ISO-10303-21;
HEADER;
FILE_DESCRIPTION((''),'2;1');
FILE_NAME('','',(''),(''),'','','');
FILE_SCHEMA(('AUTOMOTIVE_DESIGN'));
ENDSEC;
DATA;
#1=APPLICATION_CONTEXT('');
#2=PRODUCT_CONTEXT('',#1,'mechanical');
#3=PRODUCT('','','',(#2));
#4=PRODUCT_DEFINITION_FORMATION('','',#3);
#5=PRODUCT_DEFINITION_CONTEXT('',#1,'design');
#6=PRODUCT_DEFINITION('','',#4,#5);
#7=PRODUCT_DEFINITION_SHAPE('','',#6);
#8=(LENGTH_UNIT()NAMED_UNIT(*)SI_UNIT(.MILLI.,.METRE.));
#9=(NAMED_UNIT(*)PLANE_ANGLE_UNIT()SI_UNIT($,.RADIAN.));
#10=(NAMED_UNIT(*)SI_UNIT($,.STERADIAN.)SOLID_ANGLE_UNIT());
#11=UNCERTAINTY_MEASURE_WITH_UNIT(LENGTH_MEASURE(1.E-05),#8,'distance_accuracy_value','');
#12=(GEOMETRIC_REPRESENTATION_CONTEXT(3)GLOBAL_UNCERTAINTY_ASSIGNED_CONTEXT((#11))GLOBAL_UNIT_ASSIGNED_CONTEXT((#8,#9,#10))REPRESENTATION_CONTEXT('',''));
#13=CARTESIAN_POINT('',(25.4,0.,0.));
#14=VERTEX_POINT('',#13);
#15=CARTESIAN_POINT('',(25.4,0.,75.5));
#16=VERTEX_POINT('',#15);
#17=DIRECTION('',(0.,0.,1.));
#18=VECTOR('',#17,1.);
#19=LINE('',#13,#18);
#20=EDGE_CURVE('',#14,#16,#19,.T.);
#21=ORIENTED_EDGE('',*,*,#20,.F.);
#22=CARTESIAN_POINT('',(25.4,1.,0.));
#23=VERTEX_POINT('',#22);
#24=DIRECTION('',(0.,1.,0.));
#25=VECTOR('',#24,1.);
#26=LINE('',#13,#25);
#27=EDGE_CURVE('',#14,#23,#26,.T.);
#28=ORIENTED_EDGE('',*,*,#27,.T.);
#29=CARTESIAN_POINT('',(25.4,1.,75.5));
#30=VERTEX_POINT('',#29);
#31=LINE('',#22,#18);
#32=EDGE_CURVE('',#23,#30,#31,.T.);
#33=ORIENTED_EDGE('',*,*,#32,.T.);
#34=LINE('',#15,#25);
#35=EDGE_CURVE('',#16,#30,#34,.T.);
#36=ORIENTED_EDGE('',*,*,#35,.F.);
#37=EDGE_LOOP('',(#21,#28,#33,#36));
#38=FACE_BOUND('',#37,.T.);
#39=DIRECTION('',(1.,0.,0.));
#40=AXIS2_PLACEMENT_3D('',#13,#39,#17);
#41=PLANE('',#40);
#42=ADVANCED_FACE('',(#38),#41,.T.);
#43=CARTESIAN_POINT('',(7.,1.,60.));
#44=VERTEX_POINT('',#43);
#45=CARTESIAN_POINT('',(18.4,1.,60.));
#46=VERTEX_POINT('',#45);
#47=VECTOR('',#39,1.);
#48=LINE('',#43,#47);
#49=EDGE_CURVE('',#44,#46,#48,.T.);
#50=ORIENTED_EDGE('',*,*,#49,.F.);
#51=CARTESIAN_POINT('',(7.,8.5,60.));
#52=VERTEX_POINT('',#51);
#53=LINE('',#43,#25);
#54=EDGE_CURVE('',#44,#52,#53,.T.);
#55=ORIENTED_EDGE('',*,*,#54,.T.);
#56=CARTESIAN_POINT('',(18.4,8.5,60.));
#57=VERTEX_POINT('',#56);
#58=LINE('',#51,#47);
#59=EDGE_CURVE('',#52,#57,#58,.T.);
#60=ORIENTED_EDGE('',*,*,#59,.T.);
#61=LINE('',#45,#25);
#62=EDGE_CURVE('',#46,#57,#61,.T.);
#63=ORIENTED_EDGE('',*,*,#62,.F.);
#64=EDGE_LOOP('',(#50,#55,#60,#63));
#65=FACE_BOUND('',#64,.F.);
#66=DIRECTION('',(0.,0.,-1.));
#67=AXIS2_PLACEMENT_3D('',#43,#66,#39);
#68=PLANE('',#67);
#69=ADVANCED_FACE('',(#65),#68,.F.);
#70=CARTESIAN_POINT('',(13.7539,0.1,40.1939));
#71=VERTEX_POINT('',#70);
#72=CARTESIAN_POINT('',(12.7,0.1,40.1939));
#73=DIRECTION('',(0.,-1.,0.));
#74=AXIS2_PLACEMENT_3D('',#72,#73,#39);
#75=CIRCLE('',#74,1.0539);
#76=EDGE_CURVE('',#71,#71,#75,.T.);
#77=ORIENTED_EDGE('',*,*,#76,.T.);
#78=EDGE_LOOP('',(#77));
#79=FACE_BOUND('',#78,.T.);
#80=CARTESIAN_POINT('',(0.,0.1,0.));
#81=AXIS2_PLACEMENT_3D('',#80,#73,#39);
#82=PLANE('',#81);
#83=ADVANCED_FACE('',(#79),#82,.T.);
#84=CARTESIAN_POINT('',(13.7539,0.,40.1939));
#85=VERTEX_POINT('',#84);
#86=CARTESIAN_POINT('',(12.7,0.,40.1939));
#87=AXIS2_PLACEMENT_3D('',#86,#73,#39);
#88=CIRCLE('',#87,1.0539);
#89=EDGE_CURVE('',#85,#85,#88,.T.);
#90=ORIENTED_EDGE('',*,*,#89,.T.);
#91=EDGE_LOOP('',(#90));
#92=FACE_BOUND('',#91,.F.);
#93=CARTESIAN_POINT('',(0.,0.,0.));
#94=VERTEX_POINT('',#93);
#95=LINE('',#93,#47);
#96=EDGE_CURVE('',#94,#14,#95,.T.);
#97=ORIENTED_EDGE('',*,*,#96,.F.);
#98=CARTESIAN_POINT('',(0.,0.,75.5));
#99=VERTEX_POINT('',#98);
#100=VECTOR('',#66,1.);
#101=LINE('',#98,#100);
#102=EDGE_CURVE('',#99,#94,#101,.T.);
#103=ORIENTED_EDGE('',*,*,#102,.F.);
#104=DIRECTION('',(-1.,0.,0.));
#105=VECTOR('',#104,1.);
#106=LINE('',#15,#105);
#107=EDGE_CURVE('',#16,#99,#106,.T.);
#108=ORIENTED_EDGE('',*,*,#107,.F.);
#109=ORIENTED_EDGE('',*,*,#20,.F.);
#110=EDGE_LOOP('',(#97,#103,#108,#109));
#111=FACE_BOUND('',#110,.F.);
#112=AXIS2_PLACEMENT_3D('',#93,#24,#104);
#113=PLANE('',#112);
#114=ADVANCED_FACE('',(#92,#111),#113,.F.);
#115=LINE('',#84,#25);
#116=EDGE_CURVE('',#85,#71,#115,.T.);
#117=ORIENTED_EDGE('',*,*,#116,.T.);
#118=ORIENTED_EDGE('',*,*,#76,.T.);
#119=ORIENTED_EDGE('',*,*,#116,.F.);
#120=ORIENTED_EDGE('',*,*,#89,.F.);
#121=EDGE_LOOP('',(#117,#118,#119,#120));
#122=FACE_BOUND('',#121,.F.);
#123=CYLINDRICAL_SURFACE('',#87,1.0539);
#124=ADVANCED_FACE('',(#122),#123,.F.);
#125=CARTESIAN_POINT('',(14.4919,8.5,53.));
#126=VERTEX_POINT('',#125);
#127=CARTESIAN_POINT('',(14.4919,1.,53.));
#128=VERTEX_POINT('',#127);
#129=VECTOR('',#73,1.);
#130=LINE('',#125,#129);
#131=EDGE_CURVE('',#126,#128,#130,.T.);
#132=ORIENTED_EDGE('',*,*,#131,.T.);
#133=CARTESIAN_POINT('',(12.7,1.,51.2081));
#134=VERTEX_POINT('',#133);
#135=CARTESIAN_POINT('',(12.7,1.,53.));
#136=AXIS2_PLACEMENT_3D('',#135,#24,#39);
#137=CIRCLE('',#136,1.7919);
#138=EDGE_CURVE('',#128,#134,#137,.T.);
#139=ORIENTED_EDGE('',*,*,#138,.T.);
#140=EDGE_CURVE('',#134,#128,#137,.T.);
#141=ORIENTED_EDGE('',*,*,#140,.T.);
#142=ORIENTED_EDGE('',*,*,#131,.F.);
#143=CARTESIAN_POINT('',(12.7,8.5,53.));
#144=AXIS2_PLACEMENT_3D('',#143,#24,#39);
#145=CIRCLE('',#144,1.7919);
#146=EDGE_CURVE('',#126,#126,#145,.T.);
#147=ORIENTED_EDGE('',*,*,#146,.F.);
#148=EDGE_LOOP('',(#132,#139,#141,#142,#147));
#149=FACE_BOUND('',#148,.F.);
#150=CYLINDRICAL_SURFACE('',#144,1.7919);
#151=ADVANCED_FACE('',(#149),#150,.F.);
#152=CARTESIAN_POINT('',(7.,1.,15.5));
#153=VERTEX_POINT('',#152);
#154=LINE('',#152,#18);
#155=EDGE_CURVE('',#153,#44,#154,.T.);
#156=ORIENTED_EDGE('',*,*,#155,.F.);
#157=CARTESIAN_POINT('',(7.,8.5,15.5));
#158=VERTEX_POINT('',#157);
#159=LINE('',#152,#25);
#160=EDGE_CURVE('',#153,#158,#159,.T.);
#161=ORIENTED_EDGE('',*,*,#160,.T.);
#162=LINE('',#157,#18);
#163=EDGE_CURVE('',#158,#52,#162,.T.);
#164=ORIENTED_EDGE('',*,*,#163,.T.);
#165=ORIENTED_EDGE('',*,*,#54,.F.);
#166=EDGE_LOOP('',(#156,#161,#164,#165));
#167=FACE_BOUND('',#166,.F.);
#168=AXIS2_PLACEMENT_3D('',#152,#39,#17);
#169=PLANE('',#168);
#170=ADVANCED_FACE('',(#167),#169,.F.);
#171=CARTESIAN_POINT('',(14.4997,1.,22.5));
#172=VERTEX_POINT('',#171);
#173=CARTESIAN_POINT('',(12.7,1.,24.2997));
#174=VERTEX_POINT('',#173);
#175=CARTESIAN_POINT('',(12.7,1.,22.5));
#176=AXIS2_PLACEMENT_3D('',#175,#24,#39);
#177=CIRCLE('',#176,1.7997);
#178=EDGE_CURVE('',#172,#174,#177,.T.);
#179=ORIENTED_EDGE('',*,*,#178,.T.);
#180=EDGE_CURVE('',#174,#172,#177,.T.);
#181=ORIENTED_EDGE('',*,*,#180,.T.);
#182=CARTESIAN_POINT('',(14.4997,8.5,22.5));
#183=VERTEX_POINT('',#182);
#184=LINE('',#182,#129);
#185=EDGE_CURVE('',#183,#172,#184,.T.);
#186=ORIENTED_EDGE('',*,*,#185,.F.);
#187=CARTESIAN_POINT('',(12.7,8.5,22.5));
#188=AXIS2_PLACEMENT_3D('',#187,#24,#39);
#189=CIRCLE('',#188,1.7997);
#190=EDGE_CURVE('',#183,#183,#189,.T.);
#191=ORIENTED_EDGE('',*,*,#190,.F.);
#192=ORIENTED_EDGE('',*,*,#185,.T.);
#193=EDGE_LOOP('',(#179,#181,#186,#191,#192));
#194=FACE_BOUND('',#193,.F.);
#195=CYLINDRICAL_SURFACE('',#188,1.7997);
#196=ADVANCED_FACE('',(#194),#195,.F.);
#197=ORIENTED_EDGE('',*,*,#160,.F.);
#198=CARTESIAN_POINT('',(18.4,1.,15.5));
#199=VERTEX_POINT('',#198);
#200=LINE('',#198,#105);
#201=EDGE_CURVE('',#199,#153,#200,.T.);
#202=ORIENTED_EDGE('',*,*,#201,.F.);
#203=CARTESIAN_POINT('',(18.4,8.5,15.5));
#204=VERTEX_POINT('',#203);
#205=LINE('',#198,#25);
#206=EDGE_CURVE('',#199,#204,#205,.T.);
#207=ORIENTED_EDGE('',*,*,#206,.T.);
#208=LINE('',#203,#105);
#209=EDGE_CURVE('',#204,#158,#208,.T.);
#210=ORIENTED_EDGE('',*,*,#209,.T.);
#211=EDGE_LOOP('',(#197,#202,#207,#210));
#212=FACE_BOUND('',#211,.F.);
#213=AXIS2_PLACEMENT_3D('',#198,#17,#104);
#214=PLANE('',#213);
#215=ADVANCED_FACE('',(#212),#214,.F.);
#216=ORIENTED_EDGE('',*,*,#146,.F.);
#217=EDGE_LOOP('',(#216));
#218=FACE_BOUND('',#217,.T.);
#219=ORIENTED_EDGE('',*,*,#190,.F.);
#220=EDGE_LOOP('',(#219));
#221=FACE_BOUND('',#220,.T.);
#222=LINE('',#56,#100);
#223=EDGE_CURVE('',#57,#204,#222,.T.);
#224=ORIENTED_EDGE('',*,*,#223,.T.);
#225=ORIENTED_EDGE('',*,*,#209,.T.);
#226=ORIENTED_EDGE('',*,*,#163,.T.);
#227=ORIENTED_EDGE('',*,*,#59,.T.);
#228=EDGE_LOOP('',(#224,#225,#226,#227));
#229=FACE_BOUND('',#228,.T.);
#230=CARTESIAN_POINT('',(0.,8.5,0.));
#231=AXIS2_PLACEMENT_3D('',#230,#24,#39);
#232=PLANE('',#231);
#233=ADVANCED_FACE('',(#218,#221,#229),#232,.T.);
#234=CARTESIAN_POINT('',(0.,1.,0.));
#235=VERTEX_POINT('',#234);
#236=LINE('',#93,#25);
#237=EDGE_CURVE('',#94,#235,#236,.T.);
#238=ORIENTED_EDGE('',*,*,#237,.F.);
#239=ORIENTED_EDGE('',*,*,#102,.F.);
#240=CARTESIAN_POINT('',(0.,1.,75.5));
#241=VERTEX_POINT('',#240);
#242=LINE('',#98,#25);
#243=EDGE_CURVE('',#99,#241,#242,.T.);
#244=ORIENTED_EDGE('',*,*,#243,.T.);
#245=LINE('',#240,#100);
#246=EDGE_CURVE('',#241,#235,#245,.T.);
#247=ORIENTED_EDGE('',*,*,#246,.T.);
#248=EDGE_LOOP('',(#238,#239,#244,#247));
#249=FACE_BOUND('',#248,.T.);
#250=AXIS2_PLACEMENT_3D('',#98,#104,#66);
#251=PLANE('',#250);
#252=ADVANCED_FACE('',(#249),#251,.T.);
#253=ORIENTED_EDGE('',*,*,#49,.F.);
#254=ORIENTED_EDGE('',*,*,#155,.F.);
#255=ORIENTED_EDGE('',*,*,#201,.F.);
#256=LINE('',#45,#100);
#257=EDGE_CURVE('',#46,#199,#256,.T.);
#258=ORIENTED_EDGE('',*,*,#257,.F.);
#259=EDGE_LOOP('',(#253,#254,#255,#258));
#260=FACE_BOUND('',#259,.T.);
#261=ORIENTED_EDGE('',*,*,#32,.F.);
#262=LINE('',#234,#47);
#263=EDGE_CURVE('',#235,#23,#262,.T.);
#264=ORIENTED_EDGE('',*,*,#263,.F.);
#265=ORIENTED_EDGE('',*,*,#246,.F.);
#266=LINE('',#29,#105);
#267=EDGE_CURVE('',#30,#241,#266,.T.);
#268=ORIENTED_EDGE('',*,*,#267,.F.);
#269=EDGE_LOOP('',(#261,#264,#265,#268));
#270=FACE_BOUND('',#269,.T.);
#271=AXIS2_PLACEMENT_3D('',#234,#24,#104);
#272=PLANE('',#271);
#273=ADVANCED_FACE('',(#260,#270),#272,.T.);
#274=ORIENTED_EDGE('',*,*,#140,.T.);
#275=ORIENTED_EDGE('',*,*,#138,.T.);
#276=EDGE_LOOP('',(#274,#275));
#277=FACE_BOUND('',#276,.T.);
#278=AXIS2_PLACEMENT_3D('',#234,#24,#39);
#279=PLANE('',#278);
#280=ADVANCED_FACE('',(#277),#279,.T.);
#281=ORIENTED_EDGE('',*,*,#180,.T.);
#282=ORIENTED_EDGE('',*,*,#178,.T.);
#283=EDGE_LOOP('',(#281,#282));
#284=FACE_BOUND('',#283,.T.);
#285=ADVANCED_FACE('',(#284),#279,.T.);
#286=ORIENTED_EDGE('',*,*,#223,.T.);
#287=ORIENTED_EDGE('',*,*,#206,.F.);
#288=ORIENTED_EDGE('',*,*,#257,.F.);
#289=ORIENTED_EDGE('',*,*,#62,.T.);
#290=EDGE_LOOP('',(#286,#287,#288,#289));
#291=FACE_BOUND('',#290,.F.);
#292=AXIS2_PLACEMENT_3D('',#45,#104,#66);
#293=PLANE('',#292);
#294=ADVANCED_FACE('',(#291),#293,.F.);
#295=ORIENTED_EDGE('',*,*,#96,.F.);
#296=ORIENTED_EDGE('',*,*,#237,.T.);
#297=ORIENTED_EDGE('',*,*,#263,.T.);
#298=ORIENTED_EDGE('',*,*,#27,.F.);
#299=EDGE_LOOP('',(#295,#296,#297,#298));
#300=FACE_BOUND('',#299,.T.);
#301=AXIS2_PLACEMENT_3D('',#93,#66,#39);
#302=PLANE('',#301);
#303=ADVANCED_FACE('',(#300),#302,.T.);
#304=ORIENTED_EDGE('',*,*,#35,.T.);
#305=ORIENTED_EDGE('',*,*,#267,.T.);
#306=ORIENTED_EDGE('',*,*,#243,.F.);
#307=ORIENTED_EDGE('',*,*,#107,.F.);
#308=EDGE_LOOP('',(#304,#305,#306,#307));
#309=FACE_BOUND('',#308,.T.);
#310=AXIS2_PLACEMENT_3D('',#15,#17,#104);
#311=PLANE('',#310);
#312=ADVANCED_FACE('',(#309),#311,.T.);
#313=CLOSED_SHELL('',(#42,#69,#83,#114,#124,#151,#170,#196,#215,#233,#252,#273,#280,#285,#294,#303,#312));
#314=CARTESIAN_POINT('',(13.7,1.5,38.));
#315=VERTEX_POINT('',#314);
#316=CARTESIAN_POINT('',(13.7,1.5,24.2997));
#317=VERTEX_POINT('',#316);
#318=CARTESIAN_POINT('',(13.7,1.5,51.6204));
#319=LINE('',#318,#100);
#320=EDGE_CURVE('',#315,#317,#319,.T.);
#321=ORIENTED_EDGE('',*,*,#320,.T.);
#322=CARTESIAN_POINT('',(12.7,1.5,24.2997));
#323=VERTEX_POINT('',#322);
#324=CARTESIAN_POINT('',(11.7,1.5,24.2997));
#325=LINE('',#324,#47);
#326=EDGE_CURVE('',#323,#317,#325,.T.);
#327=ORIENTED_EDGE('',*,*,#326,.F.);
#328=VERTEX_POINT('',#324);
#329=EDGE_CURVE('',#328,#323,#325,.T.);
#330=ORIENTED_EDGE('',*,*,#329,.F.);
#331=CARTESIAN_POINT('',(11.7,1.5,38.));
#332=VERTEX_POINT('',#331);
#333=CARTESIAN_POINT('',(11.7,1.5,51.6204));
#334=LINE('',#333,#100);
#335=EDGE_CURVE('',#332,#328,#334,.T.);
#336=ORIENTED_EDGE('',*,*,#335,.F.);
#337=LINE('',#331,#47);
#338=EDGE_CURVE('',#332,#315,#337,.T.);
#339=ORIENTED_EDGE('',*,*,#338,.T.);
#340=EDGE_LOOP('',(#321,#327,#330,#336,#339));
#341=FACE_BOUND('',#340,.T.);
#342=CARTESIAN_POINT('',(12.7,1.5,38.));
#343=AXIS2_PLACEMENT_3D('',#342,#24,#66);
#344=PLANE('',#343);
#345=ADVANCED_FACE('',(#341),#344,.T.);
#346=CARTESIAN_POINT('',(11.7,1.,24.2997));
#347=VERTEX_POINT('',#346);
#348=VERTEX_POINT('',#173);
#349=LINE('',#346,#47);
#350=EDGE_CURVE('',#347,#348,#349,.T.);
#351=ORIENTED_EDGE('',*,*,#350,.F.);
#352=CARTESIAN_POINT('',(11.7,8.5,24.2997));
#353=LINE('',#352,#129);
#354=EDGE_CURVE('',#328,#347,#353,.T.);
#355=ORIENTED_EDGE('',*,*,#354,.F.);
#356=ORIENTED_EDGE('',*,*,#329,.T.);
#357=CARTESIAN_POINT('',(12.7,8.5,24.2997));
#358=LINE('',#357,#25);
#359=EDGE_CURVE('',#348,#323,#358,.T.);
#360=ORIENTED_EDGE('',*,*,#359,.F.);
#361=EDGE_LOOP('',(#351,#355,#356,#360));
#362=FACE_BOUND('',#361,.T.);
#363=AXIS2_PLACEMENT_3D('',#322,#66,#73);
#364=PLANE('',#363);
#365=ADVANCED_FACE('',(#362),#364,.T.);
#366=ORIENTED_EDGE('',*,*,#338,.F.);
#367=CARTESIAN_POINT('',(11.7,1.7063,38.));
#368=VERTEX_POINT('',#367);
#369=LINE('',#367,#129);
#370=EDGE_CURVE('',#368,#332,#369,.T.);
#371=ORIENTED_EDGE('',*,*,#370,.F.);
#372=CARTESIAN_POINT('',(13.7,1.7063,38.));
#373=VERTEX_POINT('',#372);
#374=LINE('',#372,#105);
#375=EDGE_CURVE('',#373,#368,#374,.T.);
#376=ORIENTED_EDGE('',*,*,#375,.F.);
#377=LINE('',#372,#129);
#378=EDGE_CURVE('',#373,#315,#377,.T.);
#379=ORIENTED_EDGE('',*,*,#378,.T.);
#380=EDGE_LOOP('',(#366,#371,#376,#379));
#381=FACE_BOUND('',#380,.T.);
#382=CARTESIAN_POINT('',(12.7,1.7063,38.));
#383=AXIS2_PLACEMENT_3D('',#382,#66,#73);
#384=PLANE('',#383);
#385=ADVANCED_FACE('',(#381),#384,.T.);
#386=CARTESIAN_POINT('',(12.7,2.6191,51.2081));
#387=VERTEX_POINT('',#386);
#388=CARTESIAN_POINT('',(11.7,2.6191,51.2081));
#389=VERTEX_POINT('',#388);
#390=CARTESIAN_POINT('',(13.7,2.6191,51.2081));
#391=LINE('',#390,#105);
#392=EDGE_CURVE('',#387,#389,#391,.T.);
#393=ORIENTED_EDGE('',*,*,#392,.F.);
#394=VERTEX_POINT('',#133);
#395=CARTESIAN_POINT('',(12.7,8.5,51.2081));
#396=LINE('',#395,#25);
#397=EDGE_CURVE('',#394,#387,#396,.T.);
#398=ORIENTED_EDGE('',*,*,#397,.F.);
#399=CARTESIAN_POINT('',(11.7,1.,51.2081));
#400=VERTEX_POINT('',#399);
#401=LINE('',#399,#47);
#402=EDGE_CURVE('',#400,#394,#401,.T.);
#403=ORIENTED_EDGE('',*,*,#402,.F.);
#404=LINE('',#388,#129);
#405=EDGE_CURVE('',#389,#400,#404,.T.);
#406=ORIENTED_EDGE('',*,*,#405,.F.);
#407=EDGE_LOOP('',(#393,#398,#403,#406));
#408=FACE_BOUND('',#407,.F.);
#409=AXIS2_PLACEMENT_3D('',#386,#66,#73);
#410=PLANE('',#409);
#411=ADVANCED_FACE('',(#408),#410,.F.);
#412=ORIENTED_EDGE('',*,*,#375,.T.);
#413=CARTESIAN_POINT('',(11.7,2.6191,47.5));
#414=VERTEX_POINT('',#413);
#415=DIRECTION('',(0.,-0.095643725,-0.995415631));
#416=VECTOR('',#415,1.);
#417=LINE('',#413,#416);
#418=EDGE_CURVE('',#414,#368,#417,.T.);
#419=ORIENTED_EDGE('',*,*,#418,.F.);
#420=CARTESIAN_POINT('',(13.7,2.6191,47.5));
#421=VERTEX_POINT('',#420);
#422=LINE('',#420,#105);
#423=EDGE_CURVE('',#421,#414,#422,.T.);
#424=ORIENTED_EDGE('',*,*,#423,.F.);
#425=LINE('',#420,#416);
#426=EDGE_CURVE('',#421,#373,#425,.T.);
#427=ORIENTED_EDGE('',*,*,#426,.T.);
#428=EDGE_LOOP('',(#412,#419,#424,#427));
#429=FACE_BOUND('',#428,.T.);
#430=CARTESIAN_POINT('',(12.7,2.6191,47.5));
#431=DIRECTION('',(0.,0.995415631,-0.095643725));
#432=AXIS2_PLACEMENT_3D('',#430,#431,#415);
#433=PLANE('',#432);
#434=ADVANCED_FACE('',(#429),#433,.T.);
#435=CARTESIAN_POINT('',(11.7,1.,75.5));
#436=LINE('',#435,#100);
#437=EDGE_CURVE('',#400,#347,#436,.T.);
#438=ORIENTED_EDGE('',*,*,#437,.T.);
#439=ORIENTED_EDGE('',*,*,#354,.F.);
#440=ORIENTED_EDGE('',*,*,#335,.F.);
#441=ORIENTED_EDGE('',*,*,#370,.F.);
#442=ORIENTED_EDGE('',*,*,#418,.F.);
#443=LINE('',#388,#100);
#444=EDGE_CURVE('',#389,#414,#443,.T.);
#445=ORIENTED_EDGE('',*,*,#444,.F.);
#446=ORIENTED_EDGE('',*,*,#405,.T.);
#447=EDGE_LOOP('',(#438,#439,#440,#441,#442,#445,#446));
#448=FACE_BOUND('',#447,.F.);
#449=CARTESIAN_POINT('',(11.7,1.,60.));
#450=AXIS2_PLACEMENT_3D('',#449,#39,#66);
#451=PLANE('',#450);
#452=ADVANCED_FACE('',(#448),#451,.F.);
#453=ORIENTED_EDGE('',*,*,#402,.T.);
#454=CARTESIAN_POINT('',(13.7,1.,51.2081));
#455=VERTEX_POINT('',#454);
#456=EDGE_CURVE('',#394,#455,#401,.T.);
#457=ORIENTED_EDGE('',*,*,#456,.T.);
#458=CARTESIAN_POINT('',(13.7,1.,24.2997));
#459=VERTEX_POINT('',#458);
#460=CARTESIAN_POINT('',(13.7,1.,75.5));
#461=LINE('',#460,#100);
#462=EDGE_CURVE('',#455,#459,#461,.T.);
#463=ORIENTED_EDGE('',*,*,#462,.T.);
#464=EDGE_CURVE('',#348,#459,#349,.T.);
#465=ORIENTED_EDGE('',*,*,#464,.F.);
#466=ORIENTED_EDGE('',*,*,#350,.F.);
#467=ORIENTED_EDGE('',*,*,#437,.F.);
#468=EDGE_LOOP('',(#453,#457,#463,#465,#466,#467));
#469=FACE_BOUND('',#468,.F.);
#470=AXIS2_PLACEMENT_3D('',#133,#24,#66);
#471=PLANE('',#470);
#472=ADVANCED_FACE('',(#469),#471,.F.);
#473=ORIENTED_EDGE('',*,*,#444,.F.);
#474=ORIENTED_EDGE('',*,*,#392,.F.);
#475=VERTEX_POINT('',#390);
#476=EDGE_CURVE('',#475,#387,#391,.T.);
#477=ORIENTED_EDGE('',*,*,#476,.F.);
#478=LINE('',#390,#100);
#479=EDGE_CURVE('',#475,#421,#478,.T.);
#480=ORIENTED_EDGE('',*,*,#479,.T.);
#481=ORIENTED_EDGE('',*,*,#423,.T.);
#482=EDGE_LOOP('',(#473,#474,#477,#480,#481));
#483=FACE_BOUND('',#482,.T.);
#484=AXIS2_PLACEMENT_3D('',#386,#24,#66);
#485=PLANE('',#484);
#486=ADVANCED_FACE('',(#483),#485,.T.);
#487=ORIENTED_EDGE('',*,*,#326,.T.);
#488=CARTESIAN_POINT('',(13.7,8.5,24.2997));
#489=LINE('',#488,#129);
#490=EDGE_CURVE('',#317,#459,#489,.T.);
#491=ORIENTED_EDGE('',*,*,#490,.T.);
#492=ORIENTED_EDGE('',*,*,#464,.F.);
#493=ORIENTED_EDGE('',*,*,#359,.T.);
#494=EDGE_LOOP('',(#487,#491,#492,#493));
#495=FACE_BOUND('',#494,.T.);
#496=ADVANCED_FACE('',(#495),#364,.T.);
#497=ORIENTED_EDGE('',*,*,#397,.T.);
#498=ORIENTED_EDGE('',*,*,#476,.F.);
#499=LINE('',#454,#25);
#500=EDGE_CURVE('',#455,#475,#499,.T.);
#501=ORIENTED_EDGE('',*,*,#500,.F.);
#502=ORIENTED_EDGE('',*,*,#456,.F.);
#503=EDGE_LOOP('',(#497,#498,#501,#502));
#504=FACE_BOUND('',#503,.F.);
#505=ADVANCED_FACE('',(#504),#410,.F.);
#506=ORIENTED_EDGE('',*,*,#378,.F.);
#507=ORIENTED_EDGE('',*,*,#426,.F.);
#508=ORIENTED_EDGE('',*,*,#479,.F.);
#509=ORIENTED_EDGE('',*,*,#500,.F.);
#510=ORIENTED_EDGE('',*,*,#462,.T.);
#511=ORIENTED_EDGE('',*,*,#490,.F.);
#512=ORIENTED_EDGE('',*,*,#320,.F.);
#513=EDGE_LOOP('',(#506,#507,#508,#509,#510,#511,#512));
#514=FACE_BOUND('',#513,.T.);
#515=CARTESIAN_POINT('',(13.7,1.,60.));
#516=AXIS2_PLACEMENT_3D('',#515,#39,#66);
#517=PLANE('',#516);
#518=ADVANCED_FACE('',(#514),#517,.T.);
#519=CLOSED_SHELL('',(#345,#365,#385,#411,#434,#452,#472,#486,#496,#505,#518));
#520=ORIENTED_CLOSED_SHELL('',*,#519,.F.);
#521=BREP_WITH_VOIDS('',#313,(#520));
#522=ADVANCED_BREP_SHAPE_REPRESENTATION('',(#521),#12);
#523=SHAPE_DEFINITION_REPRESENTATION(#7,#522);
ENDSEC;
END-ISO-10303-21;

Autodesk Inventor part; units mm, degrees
ref_plane "YZ Plane" through (0, 0, 0) normal (1, 0, 0) x (0, 1, 0)
ref_plane "XZ Plane" through (0, 0, 0) normal (0, 1, 0) x (-1, 0, 0)
ref_plane "XY Plane" through (0, 0, 0) normal (0, 0, 1) x (1, 0, 0)
sketch "Skizze1" plane through (0, 0, 0) normal (0, 1, 0) x (-1, 0, 0)
  line L0 (0, 0) -> (-25.4, 0)
  line L1 (-25.4, 0) -> (-25.4, 75.5)
  line L2 (-25.4, 75.5) -> (0, 75.5)
  line L3 (0, 75.5) -> (0, 0)
  dimension "d0" = 25.4
  dimension "d1" = 75.5
extrude "Extrusion1" add sketch "Skizze1" along normal blind 1
sketch "Skizze2" plane through (0, 1, 0) normal (0, 1, 0) x (1, 0, 0)
  line L0 (0, -75.5) -> (25.4, -75.5) projected
  line L1 (25.4, -75.5) -> (25.4, 0) projected
  line L2 (25.4, 0) -> (0, 0) projected
  line L3 (0, 0) -> (0, -75.5) projected
  line L4 (7, -60) -> (18.4, -60)
  line L5 (18.4, -60) -> (18.4, -15.5)
  line L6 (18.4, -15.5) -> (7, -15.5)
  line L7 (7, -15.5) -> (7, -60)
  dimension "d4" = 7
  dimension "d5" = 7
  dimension "d6" = 15.5
  dimension "d7" = 15.5
extrude "Extrusion2" add sketch "Skizze2" along normal blind 7.5 contours L7 L6 L5 L4
sketch "Skizze3" plane through (0, 8.5, 0) normal (0, 1, 0) x (1, 0, 0)
  line L0 (18.4, -60) -> (18.4, -15.5) projected
  line L1 (18.4, -15.5) -> (7, -15.5) projected
  line L2 (7, -15.5) -> (7, -60) projected
  line L3 (7, -60) -> (18.4, -60) projected
  circle A0 centre (12.7, -53) radius 1.7919
  circle A1 centre (12.7, -22.5) radius 1.7997
  point P0 (0, 0)
  dimension "d10" = 7
  dimension "d11" = 7
extrude "Extrusion3" cut sketch "Skizze3" against normal up to surface (7.5 mm away) contours A0 | A1
ref_plane "Arbeitsebene1" through (12.7, 0, 75.5) normal (1, 0, 0) x (0, 0, -1)
sketch "Skizze5" plane through (12.7, 1, 60) normal (1, 0, 0) x (0, 0, -1)
  line L0 (8.3796, 0.5) -> (36.1482, 0.5) projected
  line L1 (-15.5, 0) -> (60, 0) projected
  line L2 (8.7919, 7.5) -> (8.7919, 0) projected
  line L3 (8.7919, 1.6191) -> (12.5, 1.6191)
  line L4 (12.5, 1.6191) -> (22, 0.7063)
  line L5 (22, 0.7063) -> (22, 0.5)
  line L6 (36.1103, 0.5) -> (8.3796, 0.5) projected
  line L7 (0, 0) -> (0, 7.5) projected
  line L8 (-15.5, -1) -> (-15.5, 0) projected
  line L9 (60, -1) -> (60, 0) projected
  line L10 (35.7003, 7.5) -> (35.7003, 0) projected
  line L11 (44.5, 0) -> (0, 0) projected
  line L12 (35.7003, 0.5) -> (8.7919, 0.5)
  line L13 (8.7919, 0.5) -> (8.7919, 0)
  line L14 (8.7919, 0) -> (35.7003, 0)
  line L15 (35.7003, 0) -> (35.7003, 0.5)
  line L16 (8.7919, 1.6191) -> (8.7919, 0.5)
  point P0 (35.7003, 0.5)
  point P1 (22, 0.5)
  dimension "d17" = 28
  dimension "d18" = 38
extrude "Extrusion5" cut sketch "Skizze5" along normal mid plane 2
sketch "Skizze6" plane through (0, 0, 0) normal (0, -1, 0) x (1, 0, 0)
  line L0 (13.7, 47.5) -> (11.7, 47.5) projected
  line L1 (11.7, 38) -> (13.7, 38) projected
  circle A0 centre (12.7, 40.1939) radius 1.0539
  point P0 (0, 0)
extrude "Extrusion6" cut sketch "Skizze6" against normal blind 0.1
equation "\"d12\" = d11"
properties part number "00_chip"
